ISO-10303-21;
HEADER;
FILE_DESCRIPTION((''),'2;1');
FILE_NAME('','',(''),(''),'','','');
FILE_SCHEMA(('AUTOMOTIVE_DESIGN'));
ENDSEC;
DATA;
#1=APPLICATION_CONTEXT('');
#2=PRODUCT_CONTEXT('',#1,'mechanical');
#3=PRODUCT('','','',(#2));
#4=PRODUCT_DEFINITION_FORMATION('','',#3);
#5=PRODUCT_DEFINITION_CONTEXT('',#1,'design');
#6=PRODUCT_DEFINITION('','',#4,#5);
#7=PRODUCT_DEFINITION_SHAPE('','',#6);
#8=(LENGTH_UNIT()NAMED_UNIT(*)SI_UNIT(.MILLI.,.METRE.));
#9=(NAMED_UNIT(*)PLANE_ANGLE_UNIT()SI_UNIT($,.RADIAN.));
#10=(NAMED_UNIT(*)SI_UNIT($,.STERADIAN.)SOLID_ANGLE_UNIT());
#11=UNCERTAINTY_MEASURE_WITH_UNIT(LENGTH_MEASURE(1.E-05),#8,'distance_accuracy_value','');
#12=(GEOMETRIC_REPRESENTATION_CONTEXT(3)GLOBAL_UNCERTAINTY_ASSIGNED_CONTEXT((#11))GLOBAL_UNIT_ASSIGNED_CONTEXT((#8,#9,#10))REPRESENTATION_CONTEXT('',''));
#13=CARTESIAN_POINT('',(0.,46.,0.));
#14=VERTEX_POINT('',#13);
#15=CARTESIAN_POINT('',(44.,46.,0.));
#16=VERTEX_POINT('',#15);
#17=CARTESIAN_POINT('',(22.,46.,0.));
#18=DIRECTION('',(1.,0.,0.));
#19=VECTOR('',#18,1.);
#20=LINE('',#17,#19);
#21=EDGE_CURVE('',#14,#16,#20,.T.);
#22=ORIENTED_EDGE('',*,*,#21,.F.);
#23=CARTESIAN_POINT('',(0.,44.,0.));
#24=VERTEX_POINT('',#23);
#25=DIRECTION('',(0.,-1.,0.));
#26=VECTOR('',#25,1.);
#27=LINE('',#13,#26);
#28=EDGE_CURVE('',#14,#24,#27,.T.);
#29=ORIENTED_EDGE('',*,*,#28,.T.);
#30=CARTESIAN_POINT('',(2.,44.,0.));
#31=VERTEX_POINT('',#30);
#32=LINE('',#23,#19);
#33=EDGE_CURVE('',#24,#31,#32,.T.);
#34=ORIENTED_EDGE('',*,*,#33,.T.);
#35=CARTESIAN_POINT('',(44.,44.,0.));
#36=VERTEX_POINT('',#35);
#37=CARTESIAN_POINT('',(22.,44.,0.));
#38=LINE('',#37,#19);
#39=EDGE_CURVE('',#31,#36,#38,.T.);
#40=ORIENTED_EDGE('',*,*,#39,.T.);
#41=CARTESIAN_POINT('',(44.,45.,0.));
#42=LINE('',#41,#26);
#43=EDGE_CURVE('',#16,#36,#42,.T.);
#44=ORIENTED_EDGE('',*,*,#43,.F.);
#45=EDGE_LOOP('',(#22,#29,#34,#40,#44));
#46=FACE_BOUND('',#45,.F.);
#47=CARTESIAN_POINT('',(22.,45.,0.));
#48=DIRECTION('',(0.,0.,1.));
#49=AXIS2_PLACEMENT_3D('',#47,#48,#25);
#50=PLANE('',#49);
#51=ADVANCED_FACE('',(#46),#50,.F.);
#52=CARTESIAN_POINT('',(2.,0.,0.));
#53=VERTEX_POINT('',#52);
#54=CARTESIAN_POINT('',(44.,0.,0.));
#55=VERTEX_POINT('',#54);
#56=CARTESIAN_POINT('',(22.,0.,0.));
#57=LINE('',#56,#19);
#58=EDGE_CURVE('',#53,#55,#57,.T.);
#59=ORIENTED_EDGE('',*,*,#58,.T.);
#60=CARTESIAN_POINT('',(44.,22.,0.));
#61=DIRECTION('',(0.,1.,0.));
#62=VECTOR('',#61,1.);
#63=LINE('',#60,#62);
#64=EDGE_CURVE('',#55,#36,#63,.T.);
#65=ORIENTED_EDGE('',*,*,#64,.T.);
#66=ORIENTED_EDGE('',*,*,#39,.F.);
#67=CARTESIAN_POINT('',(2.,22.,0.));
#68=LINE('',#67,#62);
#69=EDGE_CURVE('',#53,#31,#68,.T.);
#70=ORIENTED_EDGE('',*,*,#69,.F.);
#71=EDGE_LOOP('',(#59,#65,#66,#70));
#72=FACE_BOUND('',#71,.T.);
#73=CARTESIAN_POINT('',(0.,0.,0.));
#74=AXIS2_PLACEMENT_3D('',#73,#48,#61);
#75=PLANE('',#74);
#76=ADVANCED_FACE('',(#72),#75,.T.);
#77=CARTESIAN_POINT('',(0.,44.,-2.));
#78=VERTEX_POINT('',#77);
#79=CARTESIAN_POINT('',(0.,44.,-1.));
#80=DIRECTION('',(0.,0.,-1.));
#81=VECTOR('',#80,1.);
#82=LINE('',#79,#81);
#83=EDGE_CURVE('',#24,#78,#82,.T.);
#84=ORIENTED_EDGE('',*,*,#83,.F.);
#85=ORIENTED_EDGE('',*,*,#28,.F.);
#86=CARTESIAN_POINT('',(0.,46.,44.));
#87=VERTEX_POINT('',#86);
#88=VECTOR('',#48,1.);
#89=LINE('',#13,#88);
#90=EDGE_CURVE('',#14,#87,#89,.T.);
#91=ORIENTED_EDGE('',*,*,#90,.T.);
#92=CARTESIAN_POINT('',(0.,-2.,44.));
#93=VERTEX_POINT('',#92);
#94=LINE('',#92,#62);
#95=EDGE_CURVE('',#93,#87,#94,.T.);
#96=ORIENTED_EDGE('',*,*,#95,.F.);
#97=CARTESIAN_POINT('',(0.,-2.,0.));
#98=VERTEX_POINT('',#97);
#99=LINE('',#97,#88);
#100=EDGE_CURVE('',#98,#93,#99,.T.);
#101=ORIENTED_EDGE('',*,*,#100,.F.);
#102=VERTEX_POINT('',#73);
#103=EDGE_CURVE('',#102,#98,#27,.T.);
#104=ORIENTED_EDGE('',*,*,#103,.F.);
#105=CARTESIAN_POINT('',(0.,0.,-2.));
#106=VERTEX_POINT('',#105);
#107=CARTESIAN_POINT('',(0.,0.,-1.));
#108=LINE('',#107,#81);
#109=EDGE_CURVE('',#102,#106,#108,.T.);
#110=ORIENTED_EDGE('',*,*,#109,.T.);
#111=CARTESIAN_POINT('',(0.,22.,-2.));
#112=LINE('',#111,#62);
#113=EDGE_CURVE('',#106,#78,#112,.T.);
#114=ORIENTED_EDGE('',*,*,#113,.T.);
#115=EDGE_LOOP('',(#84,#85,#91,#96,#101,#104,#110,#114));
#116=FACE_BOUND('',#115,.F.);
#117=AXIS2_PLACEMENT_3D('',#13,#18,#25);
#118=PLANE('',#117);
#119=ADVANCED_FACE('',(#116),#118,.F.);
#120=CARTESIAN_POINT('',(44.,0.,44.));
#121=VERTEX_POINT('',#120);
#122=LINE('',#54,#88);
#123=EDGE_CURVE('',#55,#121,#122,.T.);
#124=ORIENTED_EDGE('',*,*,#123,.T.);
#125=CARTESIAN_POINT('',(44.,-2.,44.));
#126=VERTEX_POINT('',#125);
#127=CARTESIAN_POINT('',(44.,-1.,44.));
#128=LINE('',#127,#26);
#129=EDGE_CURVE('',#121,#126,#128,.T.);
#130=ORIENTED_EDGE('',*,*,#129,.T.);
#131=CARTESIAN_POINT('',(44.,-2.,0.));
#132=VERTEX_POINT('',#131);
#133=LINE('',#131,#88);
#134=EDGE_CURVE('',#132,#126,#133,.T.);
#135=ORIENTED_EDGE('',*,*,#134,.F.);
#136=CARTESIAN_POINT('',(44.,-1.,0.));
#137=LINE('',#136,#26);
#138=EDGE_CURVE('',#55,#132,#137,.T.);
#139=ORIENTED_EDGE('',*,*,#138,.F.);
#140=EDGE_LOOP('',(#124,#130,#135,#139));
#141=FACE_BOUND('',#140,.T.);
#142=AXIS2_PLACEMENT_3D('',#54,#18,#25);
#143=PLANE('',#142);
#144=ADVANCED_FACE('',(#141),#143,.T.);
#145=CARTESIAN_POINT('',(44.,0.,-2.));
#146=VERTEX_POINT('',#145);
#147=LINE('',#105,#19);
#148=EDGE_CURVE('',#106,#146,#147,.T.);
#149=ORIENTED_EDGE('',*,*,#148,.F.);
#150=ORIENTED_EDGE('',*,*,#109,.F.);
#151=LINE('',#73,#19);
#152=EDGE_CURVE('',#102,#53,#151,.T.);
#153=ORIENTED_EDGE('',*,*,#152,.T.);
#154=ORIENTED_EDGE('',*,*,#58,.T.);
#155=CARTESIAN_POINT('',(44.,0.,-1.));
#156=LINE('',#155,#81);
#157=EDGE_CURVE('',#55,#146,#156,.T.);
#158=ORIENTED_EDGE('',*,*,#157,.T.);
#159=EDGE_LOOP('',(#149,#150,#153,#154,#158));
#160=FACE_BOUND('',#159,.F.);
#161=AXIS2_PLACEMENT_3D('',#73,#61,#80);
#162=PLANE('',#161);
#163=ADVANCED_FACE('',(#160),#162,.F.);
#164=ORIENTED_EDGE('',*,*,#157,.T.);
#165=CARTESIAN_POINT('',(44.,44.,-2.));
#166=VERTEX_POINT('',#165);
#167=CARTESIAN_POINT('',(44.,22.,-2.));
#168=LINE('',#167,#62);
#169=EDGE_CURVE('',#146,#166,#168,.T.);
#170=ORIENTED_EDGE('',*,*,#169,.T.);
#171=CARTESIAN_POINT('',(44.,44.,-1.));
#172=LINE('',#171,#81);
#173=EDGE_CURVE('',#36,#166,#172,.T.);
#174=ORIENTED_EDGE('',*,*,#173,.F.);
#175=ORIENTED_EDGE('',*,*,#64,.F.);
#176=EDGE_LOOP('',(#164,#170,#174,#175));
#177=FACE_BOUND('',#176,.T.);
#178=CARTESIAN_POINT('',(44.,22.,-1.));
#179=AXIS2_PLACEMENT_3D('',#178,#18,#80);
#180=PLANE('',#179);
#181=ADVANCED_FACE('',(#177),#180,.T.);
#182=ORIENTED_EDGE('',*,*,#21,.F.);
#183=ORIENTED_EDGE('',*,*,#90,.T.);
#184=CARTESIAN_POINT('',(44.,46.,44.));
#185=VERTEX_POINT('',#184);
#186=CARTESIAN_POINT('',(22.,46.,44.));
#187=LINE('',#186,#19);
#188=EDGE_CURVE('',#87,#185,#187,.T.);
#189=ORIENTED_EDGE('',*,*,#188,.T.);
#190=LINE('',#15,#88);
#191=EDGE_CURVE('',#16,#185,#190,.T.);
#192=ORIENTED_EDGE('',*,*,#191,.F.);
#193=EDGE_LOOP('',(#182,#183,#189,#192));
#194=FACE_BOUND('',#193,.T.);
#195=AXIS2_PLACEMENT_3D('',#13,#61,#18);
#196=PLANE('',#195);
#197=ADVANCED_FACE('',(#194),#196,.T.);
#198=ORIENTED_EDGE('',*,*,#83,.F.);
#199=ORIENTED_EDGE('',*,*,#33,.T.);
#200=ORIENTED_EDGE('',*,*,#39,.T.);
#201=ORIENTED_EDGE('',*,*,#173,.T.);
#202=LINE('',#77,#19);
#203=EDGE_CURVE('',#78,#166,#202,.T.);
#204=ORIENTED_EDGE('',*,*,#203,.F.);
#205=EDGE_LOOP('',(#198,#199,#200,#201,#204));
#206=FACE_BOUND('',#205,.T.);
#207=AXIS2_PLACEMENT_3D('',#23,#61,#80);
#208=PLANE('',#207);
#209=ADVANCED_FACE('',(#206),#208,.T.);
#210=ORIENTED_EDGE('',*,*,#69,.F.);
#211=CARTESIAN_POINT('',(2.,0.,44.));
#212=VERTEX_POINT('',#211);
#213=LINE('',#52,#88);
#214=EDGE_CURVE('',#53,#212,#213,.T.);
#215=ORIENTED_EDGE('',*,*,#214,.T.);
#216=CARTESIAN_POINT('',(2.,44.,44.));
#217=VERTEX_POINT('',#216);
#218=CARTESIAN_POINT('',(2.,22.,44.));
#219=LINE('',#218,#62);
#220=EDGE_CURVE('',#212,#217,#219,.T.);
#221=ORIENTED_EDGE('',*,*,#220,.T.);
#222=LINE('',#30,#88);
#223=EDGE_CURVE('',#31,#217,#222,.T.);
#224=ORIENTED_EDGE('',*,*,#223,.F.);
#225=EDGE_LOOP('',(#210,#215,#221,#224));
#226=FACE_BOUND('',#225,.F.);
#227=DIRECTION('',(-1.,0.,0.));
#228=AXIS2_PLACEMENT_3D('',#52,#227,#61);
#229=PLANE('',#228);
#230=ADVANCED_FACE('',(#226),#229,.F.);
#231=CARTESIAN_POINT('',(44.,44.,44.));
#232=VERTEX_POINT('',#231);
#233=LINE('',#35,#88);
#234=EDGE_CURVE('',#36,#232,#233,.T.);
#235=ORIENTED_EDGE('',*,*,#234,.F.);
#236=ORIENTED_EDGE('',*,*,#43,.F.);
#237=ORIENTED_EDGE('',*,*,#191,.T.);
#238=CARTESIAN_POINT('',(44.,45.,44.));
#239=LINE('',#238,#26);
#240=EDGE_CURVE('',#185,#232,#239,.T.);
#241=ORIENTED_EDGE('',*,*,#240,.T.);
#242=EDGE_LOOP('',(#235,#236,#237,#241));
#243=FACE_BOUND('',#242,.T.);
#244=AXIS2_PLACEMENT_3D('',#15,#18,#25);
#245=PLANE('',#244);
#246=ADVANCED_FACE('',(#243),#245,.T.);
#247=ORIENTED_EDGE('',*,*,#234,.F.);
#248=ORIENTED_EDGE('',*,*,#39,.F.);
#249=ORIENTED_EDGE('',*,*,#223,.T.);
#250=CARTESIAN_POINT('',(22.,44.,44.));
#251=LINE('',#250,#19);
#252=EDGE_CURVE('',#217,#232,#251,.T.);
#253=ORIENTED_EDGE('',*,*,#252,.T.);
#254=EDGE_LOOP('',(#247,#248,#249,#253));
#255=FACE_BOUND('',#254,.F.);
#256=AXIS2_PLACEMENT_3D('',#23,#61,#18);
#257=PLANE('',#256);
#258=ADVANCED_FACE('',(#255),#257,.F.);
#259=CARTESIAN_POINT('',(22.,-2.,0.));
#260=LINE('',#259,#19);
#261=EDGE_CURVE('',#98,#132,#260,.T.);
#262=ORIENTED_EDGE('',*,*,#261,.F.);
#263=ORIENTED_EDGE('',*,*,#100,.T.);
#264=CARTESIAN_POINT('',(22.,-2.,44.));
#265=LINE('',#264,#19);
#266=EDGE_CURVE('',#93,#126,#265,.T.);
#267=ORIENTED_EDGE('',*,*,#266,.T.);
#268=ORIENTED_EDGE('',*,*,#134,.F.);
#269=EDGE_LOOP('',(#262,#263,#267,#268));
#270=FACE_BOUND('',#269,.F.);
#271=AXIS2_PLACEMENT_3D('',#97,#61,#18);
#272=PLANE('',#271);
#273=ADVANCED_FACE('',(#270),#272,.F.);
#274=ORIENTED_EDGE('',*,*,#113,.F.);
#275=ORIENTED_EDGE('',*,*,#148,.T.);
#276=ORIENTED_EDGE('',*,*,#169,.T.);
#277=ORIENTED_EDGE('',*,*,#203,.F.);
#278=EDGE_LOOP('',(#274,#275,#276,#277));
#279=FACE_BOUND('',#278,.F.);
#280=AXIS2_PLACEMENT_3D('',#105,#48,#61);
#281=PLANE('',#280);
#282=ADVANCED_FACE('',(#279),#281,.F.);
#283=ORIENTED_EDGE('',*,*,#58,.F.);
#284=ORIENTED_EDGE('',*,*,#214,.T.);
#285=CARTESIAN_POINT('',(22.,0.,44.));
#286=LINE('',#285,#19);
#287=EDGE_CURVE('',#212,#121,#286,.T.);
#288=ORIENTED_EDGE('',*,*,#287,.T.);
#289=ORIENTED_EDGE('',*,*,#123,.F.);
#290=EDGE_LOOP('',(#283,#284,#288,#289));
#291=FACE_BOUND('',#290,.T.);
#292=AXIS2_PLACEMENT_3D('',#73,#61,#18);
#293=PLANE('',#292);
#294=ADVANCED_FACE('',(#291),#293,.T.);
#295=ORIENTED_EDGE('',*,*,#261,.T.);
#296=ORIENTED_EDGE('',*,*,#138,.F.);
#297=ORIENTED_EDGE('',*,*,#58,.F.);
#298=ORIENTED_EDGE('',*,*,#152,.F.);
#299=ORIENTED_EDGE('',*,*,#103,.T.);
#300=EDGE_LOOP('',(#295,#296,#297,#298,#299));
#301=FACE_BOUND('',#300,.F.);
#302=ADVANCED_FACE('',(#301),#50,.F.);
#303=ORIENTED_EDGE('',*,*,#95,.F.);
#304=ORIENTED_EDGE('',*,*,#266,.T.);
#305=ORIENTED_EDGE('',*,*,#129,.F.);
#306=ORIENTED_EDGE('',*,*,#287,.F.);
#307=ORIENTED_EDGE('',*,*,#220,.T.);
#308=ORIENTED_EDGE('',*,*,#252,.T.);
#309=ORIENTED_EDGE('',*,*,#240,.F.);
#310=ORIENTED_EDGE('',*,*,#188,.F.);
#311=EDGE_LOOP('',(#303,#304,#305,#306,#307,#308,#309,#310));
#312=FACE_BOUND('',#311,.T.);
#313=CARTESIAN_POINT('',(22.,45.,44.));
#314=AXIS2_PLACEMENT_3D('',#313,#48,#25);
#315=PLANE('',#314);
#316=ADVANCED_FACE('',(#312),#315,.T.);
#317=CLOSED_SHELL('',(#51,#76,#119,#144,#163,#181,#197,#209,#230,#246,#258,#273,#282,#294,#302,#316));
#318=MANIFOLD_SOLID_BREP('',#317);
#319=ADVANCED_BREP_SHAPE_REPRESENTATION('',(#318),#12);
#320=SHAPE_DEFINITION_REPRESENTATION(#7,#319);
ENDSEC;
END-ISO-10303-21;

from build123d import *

# Parameters (mm, degrees)
BOX001_W     = 2
BOX001_H     = 44
BOX001_DEPTH = 44
BOX002_W     = 2
BOX002_H     = 44
BOX002_DEPTH = 44
BOX003_W     = 2
BOX003_H     = 44
BOX003_DEPTH = 44
BOX_W        = 2
BOX_H        = 44
BOX_DEPTH    = 44


with BuildPart() as cubo001:
    # Box001 → Box001 (new body)
    with BuildSketch(Plane(origin=(0, 0, 0), x_dir=(0, -1, 0), z_dir=(0, 0, 1))):
        with Locations((1, 22)):
            Rectangle(BOX001_W, BOX001_H)
    extrude(amount=BOX001_DEPTH)


with BuildPart() as cubo002:
    # Box002 → Box002 (new body)
    with BuildSketch(Plane(origin=(0, 46, 0), x_dir=(0, -1, 0), z_dir=(0, 0, 1))):
        with Locations((1, 22)):
            Rectangle(BOX002_W, BOX002_H)
    extrude(amount=BOX002_DEPTH)


with BuildPart() as cubo003:
    # Box003 → Box003 (new body)
    with BuildSketch(Plane(origin=(0, 0, 0), x_dir=(0, 0, -1), z_dir=(1, 0, 0))):
        with Locations((1, 22)):
            Rectangle(BOX003_W, BOX003_H)
    extrude(amount=BOX003_DEPTH)


with BuildPart() as fusion:
    # Box → Box (new body)
    with BuildSketch(Plane.XY):
        with Locations((1, 22)):
            Rectangle(BOX_W, BOX_H)
    extrude(amount=BOX_DEPTH)

    # Fusion: union Cubo001, Cubo002, Cubo003
    add(cubo001.part)
    add(cubo002.part)
    add(cubo003.part)


solid = fusion.part
